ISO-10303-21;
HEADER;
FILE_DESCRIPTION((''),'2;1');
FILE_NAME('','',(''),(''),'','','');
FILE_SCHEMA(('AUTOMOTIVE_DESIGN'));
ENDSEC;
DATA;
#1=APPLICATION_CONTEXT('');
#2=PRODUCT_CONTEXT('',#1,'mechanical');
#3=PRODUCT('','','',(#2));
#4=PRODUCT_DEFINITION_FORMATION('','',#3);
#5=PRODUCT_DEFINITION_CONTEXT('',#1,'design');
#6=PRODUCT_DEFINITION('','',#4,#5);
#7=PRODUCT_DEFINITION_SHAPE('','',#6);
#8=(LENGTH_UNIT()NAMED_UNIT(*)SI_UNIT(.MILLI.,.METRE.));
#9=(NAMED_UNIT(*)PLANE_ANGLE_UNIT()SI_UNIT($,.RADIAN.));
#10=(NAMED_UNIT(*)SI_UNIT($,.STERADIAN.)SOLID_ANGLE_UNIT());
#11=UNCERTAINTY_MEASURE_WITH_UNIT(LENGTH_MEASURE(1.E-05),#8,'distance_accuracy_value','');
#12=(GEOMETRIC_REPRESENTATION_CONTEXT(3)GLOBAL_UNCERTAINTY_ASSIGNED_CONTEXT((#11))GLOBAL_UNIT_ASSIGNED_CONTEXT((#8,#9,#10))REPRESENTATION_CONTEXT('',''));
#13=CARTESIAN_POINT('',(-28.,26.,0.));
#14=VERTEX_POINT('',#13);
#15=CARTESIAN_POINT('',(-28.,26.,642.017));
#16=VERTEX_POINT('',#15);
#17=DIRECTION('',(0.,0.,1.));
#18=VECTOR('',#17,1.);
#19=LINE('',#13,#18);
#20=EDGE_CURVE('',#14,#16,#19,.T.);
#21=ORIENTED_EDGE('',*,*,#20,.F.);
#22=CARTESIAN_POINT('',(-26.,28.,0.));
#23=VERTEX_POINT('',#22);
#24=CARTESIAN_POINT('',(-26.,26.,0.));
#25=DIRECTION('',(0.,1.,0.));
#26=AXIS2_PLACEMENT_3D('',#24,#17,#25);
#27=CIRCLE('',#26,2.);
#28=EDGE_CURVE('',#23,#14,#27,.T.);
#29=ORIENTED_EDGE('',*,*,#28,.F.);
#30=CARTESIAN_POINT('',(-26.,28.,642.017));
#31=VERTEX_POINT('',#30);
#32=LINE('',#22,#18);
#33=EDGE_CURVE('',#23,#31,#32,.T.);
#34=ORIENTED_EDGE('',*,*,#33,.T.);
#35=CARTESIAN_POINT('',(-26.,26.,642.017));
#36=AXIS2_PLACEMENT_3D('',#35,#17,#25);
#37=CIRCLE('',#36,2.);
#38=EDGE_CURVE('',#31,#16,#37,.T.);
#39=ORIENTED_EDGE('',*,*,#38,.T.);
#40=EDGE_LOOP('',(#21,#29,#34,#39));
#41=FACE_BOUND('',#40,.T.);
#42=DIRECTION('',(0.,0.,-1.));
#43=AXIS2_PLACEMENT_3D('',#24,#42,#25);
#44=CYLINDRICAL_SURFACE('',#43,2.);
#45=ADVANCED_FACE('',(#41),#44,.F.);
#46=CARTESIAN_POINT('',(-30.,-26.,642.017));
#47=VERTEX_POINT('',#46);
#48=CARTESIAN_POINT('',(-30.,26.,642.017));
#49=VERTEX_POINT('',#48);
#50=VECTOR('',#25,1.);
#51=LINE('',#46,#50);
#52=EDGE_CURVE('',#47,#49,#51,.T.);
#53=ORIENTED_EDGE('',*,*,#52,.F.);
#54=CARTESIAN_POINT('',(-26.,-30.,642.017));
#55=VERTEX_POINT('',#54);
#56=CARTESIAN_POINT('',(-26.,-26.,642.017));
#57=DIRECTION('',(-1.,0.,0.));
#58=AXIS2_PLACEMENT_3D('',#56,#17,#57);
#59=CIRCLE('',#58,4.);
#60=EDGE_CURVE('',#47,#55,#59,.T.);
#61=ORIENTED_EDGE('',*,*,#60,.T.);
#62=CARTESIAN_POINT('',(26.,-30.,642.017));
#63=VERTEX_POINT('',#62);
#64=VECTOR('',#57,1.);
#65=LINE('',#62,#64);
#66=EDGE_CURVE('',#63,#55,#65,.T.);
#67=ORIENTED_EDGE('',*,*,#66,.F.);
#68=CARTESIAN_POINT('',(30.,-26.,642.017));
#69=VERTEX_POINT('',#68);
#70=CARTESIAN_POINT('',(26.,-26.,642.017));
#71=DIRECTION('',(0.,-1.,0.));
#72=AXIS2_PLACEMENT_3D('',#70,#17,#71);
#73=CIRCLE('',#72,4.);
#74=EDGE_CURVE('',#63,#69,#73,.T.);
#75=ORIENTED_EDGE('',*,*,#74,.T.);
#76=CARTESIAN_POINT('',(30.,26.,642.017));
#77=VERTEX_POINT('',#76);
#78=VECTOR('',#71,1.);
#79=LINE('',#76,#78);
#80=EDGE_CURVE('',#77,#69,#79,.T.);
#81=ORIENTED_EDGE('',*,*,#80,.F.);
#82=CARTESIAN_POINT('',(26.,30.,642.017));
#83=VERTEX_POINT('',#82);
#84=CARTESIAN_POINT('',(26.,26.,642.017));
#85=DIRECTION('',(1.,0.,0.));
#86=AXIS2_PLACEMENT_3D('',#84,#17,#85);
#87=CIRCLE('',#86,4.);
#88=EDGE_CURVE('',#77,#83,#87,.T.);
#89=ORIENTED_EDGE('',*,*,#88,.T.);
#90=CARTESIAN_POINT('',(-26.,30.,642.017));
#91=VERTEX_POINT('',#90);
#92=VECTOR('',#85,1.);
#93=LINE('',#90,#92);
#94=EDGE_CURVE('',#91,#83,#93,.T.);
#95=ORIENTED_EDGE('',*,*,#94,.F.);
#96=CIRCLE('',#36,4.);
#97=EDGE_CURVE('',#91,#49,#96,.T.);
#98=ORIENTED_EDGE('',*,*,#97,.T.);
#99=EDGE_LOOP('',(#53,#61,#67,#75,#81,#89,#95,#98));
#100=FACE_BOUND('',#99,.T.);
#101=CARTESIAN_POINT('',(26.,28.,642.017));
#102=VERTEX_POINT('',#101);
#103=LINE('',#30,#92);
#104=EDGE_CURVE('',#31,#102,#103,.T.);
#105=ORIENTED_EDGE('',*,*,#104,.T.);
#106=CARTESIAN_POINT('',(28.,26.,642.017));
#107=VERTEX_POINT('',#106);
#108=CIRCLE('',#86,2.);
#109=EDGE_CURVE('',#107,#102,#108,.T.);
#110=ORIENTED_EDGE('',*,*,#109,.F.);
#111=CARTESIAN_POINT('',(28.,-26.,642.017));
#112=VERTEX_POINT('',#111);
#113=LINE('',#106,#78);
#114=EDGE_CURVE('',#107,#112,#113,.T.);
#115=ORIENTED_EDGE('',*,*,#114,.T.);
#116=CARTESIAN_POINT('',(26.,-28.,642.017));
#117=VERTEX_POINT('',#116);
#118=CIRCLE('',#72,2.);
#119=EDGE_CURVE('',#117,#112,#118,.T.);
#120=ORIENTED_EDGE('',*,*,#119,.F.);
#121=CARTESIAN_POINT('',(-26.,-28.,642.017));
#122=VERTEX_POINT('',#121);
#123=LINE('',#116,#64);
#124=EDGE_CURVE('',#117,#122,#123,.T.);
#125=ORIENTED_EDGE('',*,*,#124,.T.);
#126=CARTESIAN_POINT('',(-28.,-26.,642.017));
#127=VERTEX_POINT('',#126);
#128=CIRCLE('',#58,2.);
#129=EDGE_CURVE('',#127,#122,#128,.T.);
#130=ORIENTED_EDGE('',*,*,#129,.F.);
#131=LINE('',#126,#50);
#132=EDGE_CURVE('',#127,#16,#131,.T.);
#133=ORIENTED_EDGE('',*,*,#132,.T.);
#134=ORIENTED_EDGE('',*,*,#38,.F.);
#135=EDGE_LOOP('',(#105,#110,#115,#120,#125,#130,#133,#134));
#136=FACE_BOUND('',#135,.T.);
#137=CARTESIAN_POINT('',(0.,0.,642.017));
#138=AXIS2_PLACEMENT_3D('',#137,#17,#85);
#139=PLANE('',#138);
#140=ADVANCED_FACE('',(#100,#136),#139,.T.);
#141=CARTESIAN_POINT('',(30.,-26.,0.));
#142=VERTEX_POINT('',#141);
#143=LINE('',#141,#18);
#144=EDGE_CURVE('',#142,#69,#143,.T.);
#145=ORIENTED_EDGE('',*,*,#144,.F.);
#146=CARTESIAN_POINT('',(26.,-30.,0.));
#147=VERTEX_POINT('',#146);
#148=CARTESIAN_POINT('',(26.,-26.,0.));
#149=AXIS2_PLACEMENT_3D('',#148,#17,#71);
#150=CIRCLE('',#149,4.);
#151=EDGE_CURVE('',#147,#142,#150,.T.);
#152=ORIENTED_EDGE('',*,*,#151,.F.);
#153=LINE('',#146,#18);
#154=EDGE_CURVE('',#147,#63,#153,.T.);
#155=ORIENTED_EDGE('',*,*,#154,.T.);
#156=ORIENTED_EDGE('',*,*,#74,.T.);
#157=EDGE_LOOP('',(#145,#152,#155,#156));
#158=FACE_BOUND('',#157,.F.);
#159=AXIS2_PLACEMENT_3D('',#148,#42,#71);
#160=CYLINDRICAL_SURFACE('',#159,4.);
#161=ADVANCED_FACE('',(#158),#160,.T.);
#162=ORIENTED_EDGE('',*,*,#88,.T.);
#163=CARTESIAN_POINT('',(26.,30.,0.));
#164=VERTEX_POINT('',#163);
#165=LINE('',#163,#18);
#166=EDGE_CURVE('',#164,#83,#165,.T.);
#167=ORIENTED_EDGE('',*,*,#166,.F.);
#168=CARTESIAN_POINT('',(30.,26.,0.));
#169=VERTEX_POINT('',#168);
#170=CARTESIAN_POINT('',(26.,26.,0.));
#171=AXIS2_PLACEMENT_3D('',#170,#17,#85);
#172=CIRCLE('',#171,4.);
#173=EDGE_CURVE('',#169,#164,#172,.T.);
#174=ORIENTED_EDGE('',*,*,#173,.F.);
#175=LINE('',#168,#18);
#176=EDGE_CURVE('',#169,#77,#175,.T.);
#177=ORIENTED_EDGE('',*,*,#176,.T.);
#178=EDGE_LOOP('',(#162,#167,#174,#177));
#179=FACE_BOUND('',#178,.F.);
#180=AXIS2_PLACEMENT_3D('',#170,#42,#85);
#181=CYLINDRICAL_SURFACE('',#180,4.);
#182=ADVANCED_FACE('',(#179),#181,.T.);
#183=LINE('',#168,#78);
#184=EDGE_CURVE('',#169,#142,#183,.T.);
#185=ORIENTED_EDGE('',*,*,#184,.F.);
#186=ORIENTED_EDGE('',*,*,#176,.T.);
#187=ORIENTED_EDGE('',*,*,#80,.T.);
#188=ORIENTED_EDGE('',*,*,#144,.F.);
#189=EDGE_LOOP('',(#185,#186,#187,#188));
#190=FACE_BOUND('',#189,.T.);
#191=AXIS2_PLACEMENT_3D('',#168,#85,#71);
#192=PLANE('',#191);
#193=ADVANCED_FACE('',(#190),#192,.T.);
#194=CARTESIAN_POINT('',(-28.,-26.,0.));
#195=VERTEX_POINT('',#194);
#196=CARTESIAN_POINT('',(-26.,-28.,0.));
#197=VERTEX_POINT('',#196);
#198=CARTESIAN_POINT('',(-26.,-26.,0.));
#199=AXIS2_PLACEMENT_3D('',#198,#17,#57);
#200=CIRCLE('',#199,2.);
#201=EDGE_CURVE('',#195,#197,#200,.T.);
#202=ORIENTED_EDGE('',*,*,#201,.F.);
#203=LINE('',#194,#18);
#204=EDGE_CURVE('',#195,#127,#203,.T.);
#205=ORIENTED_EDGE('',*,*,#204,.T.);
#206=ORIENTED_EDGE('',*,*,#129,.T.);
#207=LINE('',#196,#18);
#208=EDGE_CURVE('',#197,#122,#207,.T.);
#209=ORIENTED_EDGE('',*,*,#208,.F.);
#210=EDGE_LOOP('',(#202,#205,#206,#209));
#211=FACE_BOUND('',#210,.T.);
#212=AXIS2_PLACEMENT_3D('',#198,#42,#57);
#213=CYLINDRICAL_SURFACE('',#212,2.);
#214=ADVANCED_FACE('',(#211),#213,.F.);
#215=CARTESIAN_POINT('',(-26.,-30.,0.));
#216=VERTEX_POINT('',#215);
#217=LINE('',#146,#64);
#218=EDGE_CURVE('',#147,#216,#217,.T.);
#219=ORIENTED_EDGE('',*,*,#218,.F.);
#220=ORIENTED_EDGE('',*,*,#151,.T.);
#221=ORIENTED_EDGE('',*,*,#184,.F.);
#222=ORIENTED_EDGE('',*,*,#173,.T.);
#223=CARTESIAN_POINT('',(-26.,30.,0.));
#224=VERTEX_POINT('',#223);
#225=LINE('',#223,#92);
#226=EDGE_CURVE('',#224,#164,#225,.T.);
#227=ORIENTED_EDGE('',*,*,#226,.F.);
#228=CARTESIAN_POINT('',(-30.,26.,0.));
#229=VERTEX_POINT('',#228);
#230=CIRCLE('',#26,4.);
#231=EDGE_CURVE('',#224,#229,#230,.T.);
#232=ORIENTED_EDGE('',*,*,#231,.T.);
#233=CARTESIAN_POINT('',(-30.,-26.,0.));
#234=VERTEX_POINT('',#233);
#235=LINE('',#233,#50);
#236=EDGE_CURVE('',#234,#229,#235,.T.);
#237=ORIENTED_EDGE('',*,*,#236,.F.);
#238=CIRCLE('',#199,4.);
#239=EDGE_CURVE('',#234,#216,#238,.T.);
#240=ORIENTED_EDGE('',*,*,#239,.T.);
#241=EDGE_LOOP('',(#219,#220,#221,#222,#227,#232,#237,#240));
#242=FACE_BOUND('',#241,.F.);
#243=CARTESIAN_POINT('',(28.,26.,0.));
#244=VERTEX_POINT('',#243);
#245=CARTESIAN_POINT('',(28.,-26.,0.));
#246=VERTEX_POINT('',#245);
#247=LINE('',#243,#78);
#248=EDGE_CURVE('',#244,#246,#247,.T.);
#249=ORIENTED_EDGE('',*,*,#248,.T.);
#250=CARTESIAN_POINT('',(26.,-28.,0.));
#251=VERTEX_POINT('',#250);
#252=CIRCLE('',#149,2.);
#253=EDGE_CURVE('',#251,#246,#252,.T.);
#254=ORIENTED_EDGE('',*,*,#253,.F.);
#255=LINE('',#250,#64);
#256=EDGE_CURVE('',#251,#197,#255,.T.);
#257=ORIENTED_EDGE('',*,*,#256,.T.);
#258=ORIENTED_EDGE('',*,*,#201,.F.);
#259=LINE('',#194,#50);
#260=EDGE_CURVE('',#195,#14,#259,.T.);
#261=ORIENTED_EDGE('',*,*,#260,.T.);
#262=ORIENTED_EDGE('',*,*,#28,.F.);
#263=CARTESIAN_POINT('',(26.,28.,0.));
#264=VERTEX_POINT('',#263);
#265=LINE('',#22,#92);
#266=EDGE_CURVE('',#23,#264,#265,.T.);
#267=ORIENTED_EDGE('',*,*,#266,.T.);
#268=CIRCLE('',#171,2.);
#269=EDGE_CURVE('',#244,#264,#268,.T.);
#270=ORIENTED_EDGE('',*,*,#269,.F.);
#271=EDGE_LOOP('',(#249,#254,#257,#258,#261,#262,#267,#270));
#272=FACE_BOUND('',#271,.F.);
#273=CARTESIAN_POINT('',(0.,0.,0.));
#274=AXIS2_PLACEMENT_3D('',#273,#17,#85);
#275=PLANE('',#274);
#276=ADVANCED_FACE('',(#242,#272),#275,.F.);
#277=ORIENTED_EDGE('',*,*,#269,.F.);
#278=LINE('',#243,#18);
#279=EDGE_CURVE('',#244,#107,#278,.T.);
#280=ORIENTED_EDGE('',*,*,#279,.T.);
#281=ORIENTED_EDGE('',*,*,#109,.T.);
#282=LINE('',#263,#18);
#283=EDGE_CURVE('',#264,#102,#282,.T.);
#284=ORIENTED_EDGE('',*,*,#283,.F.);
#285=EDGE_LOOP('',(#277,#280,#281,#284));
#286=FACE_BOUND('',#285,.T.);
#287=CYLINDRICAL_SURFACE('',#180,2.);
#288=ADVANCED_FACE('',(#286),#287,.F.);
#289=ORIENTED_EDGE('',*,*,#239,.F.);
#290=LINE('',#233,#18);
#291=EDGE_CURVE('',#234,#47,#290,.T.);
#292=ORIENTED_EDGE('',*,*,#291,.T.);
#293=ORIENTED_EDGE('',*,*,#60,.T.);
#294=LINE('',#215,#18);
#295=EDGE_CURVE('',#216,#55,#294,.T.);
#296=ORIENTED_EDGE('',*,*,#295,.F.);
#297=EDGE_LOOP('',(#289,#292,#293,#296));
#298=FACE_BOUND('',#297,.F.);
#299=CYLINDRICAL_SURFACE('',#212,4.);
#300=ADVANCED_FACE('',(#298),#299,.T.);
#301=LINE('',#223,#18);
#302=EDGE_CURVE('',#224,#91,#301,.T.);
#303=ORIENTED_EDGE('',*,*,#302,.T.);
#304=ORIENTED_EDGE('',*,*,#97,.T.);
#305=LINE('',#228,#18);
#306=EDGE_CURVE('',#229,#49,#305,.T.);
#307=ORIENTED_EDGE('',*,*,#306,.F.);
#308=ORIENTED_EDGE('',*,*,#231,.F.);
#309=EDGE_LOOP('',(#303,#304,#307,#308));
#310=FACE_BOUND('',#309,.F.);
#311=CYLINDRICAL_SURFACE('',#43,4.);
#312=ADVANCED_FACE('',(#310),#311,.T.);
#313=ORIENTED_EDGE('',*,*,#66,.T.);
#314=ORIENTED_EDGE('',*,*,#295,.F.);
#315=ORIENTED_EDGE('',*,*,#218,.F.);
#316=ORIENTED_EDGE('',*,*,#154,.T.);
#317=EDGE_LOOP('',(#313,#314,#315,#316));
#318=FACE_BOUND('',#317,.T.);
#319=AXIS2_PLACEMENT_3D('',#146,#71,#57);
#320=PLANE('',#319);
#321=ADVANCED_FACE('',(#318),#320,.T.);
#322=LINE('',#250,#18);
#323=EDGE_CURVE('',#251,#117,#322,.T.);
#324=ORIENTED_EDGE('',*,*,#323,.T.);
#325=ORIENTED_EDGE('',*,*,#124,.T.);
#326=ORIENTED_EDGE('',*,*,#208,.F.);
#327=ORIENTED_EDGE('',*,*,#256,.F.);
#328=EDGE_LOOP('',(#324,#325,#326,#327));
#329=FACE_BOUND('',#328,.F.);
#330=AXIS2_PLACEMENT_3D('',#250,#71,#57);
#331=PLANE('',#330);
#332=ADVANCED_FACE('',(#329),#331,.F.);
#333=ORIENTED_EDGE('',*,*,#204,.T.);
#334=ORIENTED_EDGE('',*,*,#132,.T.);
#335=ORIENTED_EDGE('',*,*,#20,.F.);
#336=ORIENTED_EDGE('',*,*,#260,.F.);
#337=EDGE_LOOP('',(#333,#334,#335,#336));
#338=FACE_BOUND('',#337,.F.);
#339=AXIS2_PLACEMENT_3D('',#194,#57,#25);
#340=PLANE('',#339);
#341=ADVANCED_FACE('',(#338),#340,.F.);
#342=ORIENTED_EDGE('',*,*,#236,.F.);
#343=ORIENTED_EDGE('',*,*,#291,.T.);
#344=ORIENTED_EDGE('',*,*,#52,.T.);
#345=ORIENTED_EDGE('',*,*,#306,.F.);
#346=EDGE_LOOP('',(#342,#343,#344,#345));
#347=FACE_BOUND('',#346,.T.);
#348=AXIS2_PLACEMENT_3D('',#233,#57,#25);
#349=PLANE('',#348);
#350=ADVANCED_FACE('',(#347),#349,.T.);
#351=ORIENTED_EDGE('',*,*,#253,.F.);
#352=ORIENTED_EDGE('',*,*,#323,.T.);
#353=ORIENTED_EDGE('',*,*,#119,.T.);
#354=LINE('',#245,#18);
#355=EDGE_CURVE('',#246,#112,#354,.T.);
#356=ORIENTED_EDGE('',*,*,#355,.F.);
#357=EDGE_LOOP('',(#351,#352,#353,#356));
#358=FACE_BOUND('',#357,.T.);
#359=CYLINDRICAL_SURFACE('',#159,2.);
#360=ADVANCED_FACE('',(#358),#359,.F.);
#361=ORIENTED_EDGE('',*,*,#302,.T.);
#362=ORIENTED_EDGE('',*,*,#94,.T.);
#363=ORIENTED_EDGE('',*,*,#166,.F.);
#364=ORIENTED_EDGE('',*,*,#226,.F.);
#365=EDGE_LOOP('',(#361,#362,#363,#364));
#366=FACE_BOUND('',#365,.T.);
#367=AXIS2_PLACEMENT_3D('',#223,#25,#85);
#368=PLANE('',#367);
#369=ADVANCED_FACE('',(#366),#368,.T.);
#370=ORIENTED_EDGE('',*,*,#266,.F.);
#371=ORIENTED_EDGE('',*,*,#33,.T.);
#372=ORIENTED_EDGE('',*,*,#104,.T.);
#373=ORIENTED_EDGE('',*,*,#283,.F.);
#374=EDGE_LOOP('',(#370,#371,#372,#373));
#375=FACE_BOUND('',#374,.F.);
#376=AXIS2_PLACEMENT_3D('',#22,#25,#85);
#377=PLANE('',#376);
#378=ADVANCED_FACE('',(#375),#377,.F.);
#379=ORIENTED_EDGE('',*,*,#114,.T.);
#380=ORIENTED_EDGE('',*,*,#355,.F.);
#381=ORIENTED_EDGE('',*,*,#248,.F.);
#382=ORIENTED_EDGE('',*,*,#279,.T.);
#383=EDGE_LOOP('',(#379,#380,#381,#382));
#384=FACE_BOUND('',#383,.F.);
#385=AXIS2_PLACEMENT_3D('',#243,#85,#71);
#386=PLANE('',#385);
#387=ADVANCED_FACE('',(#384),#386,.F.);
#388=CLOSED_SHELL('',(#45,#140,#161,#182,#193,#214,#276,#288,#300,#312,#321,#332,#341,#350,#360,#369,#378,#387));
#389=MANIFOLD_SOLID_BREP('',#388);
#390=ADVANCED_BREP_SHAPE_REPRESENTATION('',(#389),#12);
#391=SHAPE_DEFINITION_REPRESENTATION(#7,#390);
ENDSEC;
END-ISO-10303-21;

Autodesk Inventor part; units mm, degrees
ref_plane "YZ Plane" through (0, 0, 0) normal (1, 0, 0) x (0, 1, 0)
ref_plane "Start plane" through (0, 0, 0) normal (0, 0, 1) x (1, 0, 0)
ref_plane "End plane" through (0, 0, 642.017) normal (0, 0, 1) x (1, 0, 0)
sketch "Sketch" plane through (0, 0, 0) normal (0, 0, 1) x (1, 0, 0)
  line L0 (-30, -26) -> (-30, 26)
  line L1 (-26, 30) -> (26, 30)
  line L2 (30, 26) -> (30, -26)
  line L3 (26, -30) -> (-26, -30)
  arc A0 (-30, -26) -> (-26, -30) centre (-26, -26) ccw
  arc A1 (30, 26) -> (26, 30) centre (26, 26) ccw
  arc A2 (-26, 30) -> (-30, 26) centre (-26, 26) ccw
  arc A3 (26, -30) -> (30, -26) centre (26, -26) ccw
  arc A4 (-26, 28) -> (-28, 26) centre (-26, 26) ccw
  line L4 (-26, 28) -> (26, 28)
  arc A5 (28, 26) -> (26, 28) centre (26, 26) ccw
  line L5 (28, 26) -> (28, -26)
  arc A6 (26, -28) -> (28, -26) centre (26, -26) ccw
  line L6 (26, -28) -> (-26, -28)
  arc A7 (-28, -26) -> (-26, -28) centre (-26, -26) ccw
  line L7 (-28, -26) -> (-28, 26)
  line L8 (0, 43.1598) -> (0, -43.1598) construction
  line L9 (-43.1598, 0) -> (43.1598, 0) construction
  dimension "d7" = 4
  dimension "d9" = 60
  dimension "d11" = 60
  dimension "d12" = 2
  dimension "d15" = 30
  dimension "d16" = 30
extrude "Body" add sketch "Sketch" along normal up to surface (642.017 mm away) from surface at 0
sketch "Sketch3" plane through (0, 0, 0) normal (0, 0, 1) x (1, 0, 0)
  line L0 (0, 0) -> (10, 0)
ref_plane "Work Plane3" through (0, 0, 0) normal (0, -1, 0) x (1, 0, 0)
sketch "Sketch4" plane through (0, 0, 0) normal (0, -1, 0) x (1, 0, 0)
  line L0 (-2, 0) -> (12, 0)
  line L1 (-2, 642.017) -> (12, 642.017)
  dimension "d18" = 642.017
equation "\"d7\" = G_IR"
equation "\"d9\" = G_W"
equation "\"d11\" = G_H"
equation "\"d12\" = G_T"
equation "\"d15\" = 0.5 * d9"
equation "\"d16\" = 0.5 * d11"
equation "\"d3\" = G_L"
equation "\"G_W\" = 60"
equation "\"G_H\" = 60"
equation "\"G_T\" = 2"
equation "\"G_IR\" = 4"
equation "\"G_L\" = d18"
equation "\"G_OFFSET_START\" = 0"
equation "\"G_OFFSET_END\" = 0"
equation "\"d14\" = G_OFFSET_END + B_L"
equation "\"B_L\" = 642.017"
properties part number "ISO 4019 - 60x60x2 - 642.017" material "Steel, Mild"
